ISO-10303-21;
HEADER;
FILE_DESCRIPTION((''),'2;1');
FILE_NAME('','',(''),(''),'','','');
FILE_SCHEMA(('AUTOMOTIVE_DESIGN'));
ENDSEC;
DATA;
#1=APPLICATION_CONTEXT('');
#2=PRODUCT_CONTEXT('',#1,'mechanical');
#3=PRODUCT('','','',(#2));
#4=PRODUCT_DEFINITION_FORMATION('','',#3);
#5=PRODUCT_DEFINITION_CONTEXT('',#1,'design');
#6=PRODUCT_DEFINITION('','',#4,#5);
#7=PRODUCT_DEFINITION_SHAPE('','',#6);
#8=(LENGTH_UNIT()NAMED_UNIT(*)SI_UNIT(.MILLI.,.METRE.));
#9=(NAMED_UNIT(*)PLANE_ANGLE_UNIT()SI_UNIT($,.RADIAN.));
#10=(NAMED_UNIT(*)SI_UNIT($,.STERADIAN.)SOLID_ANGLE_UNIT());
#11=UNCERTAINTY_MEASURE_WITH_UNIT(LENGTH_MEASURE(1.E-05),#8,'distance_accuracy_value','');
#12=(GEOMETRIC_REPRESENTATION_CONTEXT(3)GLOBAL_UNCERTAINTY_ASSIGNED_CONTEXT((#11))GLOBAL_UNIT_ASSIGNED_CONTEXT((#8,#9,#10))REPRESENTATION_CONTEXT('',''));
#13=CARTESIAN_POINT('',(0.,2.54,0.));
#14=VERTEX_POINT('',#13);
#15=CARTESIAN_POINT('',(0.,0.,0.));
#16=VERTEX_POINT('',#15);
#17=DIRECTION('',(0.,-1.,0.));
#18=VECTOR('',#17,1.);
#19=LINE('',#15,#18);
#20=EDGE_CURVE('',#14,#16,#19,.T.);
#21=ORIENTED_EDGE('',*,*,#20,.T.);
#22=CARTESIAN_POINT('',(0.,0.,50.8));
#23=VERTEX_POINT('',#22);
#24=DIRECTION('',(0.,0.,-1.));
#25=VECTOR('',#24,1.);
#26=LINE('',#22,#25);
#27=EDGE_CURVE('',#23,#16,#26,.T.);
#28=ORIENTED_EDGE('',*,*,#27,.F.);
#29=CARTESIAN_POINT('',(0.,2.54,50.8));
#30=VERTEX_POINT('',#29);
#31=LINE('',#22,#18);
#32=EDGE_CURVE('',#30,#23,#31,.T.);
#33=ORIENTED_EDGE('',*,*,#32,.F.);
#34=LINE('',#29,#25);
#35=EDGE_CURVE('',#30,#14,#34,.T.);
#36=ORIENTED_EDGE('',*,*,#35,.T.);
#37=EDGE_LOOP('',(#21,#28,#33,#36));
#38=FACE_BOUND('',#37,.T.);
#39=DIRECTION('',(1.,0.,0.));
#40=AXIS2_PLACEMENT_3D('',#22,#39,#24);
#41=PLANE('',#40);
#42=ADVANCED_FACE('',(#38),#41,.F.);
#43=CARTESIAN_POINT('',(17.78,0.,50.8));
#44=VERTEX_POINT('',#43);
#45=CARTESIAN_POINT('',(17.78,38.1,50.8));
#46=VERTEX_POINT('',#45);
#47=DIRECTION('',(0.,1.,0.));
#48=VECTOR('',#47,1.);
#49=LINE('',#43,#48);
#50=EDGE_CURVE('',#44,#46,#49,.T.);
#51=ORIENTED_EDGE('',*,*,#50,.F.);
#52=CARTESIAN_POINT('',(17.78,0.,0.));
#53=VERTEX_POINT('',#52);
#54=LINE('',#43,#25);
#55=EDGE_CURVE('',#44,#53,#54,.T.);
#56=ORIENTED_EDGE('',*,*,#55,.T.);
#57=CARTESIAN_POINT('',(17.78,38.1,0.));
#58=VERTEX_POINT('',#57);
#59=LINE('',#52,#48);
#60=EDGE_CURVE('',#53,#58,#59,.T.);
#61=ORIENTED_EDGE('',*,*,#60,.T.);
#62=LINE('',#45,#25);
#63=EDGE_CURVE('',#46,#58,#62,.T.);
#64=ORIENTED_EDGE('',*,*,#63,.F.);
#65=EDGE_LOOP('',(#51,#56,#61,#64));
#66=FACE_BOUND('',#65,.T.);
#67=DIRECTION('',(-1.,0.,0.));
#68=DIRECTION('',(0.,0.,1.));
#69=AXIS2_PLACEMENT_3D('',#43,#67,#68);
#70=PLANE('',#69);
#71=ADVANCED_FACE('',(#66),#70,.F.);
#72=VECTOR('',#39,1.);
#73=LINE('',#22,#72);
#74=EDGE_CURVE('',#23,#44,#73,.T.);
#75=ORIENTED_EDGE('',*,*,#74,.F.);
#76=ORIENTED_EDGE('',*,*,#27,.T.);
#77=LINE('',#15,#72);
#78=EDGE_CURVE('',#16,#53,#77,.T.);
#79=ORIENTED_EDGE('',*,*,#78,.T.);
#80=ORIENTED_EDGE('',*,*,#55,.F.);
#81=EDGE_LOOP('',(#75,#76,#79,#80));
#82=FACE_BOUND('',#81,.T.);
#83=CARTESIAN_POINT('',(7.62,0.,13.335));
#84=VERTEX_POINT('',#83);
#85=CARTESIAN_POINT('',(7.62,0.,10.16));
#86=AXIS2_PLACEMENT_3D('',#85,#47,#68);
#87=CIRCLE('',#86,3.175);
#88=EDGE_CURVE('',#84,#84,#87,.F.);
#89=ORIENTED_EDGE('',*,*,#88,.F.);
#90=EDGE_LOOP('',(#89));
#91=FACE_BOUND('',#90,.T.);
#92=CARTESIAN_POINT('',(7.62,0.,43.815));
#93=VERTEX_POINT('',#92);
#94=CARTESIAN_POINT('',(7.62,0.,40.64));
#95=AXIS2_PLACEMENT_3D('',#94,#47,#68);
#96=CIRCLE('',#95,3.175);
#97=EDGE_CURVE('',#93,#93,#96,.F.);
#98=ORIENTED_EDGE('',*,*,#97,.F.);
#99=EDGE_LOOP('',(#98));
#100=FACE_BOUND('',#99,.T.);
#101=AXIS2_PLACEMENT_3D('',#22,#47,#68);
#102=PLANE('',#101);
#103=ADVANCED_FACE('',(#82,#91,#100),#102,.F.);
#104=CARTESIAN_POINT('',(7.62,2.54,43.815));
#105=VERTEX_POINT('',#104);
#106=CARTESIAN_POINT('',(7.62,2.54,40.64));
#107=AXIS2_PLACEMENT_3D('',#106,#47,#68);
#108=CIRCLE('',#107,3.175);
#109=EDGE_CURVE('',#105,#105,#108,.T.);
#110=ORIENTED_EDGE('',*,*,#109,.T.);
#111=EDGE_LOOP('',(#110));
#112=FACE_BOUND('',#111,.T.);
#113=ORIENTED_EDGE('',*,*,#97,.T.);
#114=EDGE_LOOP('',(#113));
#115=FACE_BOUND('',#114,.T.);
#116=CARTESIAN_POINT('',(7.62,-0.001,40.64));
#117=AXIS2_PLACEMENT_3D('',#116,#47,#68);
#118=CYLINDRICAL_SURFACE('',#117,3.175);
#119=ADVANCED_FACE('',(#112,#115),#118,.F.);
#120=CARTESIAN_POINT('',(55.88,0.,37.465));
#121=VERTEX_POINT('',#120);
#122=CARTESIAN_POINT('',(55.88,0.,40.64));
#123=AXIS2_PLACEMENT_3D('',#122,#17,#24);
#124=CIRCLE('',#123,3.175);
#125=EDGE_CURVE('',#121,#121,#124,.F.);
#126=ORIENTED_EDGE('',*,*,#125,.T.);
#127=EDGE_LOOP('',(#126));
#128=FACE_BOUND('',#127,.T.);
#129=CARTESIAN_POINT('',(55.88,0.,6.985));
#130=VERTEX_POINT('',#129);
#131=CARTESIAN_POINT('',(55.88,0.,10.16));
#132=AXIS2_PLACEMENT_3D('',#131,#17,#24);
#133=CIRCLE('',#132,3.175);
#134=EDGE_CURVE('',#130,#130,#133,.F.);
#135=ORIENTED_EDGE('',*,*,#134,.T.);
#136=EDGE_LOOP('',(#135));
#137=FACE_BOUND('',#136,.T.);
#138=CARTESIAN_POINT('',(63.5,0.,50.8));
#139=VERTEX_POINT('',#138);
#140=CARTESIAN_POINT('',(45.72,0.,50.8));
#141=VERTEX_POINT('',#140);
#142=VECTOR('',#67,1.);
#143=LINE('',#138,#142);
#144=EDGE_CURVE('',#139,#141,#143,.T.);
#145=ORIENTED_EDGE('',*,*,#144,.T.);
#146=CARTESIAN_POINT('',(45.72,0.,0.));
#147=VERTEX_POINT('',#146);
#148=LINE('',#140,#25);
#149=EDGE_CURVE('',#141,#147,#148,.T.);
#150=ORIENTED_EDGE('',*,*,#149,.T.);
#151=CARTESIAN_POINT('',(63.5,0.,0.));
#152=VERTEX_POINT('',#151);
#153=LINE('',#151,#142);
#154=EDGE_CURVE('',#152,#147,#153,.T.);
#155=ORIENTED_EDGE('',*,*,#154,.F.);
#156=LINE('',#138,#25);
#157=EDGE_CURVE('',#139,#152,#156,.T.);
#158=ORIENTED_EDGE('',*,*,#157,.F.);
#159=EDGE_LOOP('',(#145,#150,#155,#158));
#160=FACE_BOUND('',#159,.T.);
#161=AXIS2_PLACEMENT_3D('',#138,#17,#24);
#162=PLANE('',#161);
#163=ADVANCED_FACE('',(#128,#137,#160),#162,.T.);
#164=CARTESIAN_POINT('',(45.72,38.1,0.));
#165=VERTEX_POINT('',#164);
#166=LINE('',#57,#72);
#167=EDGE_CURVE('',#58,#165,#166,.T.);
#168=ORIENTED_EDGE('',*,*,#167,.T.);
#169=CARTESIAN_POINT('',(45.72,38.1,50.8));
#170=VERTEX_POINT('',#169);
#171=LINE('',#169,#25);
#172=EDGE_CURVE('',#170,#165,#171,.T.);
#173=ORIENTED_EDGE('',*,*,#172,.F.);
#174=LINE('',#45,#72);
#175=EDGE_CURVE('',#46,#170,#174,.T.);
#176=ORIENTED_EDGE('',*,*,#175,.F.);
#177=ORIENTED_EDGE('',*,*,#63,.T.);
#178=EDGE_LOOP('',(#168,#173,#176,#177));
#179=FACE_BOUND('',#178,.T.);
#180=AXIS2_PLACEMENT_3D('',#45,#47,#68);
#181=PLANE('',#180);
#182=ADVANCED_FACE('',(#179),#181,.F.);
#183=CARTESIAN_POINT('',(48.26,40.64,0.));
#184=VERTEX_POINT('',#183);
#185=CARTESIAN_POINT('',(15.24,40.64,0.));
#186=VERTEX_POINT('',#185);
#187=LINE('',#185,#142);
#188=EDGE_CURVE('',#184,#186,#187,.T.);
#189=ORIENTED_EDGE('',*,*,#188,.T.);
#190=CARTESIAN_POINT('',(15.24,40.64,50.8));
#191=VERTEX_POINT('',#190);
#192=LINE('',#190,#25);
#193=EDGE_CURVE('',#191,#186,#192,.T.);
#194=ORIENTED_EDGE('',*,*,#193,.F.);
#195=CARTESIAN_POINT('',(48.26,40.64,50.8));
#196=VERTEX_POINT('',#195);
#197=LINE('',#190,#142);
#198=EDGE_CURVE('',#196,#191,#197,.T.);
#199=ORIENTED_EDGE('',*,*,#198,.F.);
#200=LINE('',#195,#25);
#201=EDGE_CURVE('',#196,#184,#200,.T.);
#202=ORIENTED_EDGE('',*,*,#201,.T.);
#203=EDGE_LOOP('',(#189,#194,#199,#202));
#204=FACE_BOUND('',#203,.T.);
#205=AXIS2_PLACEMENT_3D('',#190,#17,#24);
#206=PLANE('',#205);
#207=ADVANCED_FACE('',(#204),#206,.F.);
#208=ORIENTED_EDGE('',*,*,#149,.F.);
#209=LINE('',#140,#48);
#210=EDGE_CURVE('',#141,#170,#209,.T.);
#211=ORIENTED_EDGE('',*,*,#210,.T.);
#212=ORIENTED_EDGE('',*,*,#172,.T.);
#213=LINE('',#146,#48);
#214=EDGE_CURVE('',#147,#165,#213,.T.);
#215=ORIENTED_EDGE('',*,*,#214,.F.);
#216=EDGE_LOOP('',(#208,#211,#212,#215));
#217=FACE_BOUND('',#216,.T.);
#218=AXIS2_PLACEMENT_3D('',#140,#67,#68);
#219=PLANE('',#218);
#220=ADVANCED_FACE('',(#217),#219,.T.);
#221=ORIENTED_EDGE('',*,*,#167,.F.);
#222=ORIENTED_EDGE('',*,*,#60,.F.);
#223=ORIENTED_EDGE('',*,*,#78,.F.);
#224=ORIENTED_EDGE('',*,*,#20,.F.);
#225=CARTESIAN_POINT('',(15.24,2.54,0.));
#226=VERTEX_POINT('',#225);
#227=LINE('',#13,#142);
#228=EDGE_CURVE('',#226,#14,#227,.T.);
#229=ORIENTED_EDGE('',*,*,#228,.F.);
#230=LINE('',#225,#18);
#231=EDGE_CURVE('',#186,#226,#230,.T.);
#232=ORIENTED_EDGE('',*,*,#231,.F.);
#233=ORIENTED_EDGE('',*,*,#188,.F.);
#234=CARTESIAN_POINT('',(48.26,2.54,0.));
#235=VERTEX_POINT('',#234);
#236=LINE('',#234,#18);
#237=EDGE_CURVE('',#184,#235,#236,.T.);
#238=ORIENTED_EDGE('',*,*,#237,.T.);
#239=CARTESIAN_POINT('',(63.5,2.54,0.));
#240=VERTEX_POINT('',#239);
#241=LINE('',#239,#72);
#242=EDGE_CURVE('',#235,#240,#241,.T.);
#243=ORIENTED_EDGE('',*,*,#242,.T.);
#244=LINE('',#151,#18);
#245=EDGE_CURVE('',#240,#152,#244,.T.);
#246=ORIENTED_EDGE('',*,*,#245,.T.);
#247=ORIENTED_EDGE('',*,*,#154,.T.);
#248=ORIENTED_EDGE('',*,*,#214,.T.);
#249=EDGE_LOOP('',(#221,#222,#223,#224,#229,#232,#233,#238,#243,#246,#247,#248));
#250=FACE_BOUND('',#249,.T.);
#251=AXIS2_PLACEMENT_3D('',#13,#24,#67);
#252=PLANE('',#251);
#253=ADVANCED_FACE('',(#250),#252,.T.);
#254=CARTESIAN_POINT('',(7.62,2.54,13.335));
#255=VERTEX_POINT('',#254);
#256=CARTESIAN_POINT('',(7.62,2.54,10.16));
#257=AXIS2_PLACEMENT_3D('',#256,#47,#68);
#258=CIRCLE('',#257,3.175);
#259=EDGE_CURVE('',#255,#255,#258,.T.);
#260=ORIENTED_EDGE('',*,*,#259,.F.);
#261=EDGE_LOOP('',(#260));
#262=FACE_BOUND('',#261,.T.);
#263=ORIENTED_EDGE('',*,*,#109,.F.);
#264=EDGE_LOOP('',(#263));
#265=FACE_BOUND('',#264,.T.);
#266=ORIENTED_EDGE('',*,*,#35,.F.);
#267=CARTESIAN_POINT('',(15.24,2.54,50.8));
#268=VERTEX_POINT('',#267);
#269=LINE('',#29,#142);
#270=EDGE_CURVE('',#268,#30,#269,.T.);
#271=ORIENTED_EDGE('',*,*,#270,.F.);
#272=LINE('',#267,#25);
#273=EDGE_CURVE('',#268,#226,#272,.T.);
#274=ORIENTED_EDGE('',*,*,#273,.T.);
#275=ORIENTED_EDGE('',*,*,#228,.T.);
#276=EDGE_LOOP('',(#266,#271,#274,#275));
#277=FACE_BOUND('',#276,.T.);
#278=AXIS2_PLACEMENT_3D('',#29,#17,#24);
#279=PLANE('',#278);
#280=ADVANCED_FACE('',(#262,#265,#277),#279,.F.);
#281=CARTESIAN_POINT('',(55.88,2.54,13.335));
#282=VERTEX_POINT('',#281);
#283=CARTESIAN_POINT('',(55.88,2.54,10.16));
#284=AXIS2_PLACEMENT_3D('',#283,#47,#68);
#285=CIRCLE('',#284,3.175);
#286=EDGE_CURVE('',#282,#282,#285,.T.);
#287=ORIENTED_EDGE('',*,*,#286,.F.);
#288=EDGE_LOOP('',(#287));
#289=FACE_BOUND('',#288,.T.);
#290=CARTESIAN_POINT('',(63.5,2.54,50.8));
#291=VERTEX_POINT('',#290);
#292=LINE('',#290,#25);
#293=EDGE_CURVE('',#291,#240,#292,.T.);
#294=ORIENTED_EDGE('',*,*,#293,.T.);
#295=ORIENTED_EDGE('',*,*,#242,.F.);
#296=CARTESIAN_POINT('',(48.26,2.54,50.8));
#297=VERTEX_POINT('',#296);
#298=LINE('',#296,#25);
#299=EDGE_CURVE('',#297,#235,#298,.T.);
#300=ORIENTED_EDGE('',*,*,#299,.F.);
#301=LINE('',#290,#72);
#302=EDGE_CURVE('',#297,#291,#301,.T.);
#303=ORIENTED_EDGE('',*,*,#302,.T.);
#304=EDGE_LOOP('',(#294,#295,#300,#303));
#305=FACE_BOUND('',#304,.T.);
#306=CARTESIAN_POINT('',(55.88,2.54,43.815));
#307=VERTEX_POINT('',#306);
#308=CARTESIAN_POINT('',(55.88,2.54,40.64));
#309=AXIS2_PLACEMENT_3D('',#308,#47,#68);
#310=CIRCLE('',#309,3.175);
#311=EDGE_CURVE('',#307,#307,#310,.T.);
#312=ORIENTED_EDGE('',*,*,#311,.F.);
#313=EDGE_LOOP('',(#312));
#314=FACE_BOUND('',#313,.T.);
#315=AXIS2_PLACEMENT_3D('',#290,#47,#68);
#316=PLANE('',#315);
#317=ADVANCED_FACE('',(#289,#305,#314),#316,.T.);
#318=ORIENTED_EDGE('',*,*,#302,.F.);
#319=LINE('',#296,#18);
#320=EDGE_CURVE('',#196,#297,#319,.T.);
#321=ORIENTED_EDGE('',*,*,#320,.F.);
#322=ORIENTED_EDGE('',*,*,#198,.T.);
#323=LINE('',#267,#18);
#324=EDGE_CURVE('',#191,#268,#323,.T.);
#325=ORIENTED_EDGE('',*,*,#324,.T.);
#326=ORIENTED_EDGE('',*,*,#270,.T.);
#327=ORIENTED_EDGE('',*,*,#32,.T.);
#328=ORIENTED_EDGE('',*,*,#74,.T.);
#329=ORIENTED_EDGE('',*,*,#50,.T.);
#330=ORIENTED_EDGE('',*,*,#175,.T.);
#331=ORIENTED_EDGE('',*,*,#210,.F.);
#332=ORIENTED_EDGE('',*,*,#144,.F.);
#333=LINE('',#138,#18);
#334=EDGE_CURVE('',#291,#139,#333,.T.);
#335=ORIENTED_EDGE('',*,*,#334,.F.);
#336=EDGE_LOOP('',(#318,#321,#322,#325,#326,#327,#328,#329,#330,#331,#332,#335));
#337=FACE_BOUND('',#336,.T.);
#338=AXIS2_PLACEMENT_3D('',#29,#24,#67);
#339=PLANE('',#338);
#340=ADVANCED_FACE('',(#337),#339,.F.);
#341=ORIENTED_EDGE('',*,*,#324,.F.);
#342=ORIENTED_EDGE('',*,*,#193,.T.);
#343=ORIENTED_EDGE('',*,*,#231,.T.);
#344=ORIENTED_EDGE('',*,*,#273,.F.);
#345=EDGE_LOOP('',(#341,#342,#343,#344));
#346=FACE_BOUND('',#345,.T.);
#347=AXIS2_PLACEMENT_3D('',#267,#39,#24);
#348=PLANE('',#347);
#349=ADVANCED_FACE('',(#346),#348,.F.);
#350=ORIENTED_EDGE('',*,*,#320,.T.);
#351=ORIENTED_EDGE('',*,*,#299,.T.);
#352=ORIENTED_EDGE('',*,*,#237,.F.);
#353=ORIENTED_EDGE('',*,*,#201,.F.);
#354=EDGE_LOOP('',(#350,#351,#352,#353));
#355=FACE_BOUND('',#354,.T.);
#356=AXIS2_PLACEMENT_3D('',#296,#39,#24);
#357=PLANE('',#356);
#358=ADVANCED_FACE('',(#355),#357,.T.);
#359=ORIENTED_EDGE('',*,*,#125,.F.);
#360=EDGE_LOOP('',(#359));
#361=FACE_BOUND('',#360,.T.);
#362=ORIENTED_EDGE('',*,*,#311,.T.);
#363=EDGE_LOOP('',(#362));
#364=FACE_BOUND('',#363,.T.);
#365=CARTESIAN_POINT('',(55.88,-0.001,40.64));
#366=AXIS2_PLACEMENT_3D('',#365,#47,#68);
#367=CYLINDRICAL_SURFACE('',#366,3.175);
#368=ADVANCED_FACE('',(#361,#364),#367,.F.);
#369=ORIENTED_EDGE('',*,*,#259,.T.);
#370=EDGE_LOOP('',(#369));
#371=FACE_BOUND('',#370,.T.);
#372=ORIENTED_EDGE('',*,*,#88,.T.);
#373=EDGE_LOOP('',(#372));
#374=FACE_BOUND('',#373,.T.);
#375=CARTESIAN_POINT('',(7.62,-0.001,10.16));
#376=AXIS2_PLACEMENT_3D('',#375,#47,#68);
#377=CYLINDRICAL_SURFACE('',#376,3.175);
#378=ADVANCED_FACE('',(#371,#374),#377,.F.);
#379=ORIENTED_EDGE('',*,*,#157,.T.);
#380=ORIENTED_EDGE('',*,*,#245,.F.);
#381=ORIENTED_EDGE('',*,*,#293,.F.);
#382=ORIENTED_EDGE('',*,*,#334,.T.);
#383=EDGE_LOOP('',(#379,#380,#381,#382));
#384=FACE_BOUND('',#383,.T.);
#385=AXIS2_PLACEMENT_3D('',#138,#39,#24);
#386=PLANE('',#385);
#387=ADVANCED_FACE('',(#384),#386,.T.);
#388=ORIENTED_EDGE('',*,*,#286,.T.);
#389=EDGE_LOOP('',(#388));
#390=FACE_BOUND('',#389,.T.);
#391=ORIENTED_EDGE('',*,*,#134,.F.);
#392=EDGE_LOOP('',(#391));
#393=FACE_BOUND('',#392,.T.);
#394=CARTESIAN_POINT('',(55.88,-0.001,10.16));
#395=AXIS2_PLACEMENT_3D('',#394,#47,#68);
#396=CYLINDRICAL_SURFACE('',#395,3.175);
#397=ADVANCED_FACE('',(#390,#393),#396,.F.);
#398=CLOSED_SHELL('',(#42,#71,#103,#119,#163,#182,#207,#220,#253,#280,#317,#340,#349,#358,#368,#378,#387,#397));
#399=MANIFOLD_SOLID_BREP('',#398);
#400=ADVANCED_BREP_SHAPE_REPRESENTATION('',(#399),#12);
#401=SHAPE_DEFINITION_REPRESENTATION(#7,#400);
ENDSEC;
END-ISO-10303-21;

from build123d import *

# Parameters (mm, degrees)
BOSS_EXTRUDE3_DEPTH = 50.8
CUT_EXTRUDE1_REACH  = 4.54
SKETCH6_R           = 3.175


with BuildPart() as part:
    # Sketch5 → Boss-Extrude3 (new body)
    with BuildSketch(Plane.XY):
        Polygon((0, 0), (17.78, 0), (17.78, 38.1), (31.75, 38.1), (31.75, 40.64), (15.24, 40.64), (15.24, 2.54), (0, 2.54), align=None)
    boss_extrude3 = extrude(amount=BOSS_EXTRUDE3_DEPTH)

    # Mirror6: Boss-Extrude3 across plane
    add(boss_extrude3.mirror(Plane(origin=(31.75, 40.64, 50.8), x_dir=(0, 0, 1), z_dir=(-1, 0, 0))))

    # Sketch6 → Cut-Extrude1 (cut, up to next)
    with BuildSketch(Plane(origin=(0, 2.54, 0), x_dir=(-1, 0, 0), z_dir=(0, 1, 0)), mode=Mode.PRIVATE) as cut_extrude1_sk1:
        with Locations((-7.62, 40.64)):
            Circle(SKETCH6_R)
    cut_extrude1_tool1 = extrude(cut_extrude1_sk1.sketch, amount=-CUT_EXTRUDE1_REACH, mode=Mode.PRIVATE) & part.part
    add(cut_extrude1_tool1.solids().sort_by_distance((7.62, 2.54, 40.64))[0], mode=Mode.SUBTRACT)
    # Sketch6 → Cut-Extrude1 (cut, up to next)
    with BuildSketch(Plane(origin=(0, 2.54, 0), x_dir=(-1, 0, 0), z_dir=(0, 1, 0)), mode=Mode.PRIVATE) as cut_extrude1_sk2:
        with Locations((-7.62, 10.16)):
            Circle(SKETCH6_R)
    cut_extrude1_tool2 = extrude(cut_extrude1_sk2.sketch, amount=-CUT_EXTRUDE1_REACH, mode=Mode.PRIVATE) & part.part
    add(cut_extrude1_tool2.solids().sort_by_distance((7.62, 2.54, 10.16))[0], mode=Mode.SUBTRACT)
    # Sketch6 → Cut-Extrude1 (cut, up to next)
    with BuildSketch(Plane(origin=(0, 2.54, 0), x_dir=(-1, 0, 0), z_dir=(0, 1, 0)), mode=Mode.PRIVATE) as cut_extrude1_sk3:
        with Locations((-55.88, 10.16)):
            Circle(SKETCH6_R)
    cut_extrude1_tool3 = extrude(cut_extrude1_sk3.sketch, amount=-CUT_EXTRUDE1_REACH, mode=Mode.PRIVATE) & part.part
    add(cut_extrude1_tool3.solids().sort_by_distance((55.88, 2.54, 10.16))[0], mode=Mode.SUBTRACT)
    # Sketch6 → Cut-Extrude1 (cut, up to next)
    with BuildSketch(Plane(origin=(0, 2.54, 0), x_dir=(-1, 0, 0), z_dir=(0, 1, 0)), mode=Mode.PRIVATE) as cut_extrude1_sk4:
        with Locations((-55.88, 40.64)):
            Circle(SKETCH6_R)
    cut_extrude1_tool4 = extrude(cut_extrude1_sk4.sketch, amount=-CUT_EXTRUDE1_REACH, mode=Mode.PRIVATE) & part.part
    add(cut_extrude1_tool4.solids().sort_by_distance((55.88, 2.54, 40.64))[0], mode=Mode.SUBTRACT)


solid = part.part
